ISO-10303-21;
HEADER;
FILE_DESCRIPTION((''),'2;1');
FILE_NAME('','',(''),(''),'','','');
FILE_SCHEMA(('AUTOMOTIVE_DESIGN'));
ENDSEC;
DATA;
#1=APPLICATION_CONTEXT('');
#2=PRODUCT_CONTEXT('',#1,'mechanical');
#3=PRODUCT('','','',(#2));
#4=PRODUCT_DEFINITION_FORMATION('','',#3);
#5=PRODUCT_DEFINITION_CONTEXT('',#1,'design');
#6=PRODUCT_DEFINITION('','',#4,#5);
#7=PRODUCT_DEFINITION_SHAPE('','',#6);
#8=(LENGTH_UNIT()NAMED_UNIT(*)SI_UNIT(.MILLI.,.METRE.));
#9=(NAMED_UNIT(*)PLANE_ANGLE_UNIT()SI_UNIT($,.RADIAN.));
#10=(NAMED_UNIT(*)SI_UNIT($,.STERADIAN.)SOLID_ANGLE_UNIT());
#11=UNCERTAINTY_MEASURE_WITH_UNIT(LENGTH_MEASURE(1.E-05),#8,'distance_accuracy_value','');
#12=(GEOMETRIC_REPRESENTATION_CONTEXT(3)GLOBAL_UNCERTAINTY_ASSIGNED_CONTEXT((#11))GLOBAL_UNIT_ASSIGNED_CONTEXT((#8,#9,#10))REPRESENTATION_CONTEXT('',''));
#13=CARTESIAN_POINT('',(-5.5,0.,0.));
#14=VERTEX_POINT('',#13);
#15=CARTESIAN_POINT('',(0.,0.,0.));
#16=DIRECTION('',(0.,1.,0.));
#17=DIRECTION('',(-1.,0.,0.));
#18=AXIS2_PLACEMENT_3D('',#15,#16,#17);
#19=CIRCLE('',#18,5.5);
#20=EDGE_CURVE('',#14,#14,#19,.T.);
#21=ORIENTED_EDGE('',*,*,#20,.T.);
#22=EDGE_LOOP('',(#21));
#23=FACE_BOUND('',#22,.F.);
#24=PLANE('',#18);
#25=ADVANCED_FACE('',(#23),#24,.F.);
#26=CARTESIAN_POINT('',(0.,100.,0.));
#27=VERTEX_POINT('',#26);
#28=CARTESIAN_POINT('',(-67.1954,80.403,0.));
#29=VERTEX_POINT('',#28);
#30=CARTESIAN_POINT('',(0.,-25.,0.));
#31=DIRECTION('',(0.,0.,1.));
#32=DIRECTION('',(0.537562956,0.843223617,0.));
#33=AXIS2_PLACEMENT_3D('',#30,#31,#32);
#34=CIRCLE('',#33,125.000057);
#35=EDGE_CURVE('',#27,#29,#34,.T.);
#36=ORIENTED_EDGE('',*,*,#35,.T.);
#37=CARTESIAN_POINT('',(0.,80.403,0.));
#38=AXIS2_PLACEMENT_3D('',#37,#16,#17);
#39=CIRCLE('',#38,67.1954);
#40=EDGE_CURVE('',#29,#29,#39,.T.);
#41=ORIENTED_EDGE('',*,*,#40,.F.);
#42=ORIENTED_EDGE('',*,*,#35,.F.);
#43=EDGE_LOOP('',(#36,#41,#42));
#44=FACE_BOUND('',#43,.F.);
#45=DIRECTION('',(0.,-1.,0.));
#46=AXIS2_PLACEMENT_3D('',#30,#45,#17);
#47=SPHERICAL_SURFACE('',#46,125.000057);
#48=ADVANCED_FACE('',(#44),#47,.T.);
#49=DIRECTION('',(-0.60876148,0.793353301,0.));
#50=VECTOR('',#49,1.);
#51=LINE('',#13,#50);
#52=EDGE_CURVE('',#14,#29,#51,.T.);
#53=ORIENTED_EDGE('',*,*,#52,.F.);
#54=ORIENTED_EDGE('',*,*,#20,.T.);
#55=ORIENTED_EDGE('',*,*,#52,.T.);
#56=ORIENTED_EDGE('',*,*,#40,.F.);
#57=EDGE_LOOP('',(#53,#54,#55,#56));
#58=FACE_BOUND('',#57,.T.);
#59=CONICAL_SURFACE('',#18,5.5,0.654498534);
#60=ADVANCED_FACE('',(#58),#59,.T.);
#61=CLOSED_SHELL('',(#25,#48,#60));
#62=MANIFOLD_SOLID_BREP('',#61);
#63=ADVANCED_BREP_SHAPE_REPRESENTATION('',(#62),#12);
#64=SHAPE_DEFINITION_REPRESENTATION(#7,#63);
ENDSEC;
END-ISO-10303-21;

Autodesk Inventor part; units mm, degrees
ref_plane "YZ Plane" through (0, 0, 0) normal (1, 0, 0) x (0, 1, 0)
ref_plane "XZ Plane" through (0, 0, 0) normal (0, 1, 0) x (-1, 0, 0)
ref_plane "XY Plane" through (0, 0, 0) normal (0, 0, 1) x (1, 0, 0)
sketch "Sketch1" plane through (0, 0, 0) normal (0, 0, 1) x (1, 0, 0)
  line L0 (-5.5, 0) -> (5.5, 0)
  line L1 (5.5, 0) -> (67.1954, 80.403)
  line L2 (0, 0) -> (0, 100) construction
  line L3 (-5.5, 0) -> (-67.1954, 80.403)
  arc A0 (67.1954, 80.403) -> (-67.1954, 80.403) centre (0, -25) ccw
  line L4 (0, 0) -> (0, 100)
  dimension "d0" = 37.5
  dimension "d1" = 11
  dimension "d2" = 100
  dimension "d3" = 250
revolve "Revolution1" add sketch "Sketch1" angle 360 about axis through (0, 0, 0) along (0, 1, 0) contours L3 A0 L4 L0
properties part number "lens_FoV"
